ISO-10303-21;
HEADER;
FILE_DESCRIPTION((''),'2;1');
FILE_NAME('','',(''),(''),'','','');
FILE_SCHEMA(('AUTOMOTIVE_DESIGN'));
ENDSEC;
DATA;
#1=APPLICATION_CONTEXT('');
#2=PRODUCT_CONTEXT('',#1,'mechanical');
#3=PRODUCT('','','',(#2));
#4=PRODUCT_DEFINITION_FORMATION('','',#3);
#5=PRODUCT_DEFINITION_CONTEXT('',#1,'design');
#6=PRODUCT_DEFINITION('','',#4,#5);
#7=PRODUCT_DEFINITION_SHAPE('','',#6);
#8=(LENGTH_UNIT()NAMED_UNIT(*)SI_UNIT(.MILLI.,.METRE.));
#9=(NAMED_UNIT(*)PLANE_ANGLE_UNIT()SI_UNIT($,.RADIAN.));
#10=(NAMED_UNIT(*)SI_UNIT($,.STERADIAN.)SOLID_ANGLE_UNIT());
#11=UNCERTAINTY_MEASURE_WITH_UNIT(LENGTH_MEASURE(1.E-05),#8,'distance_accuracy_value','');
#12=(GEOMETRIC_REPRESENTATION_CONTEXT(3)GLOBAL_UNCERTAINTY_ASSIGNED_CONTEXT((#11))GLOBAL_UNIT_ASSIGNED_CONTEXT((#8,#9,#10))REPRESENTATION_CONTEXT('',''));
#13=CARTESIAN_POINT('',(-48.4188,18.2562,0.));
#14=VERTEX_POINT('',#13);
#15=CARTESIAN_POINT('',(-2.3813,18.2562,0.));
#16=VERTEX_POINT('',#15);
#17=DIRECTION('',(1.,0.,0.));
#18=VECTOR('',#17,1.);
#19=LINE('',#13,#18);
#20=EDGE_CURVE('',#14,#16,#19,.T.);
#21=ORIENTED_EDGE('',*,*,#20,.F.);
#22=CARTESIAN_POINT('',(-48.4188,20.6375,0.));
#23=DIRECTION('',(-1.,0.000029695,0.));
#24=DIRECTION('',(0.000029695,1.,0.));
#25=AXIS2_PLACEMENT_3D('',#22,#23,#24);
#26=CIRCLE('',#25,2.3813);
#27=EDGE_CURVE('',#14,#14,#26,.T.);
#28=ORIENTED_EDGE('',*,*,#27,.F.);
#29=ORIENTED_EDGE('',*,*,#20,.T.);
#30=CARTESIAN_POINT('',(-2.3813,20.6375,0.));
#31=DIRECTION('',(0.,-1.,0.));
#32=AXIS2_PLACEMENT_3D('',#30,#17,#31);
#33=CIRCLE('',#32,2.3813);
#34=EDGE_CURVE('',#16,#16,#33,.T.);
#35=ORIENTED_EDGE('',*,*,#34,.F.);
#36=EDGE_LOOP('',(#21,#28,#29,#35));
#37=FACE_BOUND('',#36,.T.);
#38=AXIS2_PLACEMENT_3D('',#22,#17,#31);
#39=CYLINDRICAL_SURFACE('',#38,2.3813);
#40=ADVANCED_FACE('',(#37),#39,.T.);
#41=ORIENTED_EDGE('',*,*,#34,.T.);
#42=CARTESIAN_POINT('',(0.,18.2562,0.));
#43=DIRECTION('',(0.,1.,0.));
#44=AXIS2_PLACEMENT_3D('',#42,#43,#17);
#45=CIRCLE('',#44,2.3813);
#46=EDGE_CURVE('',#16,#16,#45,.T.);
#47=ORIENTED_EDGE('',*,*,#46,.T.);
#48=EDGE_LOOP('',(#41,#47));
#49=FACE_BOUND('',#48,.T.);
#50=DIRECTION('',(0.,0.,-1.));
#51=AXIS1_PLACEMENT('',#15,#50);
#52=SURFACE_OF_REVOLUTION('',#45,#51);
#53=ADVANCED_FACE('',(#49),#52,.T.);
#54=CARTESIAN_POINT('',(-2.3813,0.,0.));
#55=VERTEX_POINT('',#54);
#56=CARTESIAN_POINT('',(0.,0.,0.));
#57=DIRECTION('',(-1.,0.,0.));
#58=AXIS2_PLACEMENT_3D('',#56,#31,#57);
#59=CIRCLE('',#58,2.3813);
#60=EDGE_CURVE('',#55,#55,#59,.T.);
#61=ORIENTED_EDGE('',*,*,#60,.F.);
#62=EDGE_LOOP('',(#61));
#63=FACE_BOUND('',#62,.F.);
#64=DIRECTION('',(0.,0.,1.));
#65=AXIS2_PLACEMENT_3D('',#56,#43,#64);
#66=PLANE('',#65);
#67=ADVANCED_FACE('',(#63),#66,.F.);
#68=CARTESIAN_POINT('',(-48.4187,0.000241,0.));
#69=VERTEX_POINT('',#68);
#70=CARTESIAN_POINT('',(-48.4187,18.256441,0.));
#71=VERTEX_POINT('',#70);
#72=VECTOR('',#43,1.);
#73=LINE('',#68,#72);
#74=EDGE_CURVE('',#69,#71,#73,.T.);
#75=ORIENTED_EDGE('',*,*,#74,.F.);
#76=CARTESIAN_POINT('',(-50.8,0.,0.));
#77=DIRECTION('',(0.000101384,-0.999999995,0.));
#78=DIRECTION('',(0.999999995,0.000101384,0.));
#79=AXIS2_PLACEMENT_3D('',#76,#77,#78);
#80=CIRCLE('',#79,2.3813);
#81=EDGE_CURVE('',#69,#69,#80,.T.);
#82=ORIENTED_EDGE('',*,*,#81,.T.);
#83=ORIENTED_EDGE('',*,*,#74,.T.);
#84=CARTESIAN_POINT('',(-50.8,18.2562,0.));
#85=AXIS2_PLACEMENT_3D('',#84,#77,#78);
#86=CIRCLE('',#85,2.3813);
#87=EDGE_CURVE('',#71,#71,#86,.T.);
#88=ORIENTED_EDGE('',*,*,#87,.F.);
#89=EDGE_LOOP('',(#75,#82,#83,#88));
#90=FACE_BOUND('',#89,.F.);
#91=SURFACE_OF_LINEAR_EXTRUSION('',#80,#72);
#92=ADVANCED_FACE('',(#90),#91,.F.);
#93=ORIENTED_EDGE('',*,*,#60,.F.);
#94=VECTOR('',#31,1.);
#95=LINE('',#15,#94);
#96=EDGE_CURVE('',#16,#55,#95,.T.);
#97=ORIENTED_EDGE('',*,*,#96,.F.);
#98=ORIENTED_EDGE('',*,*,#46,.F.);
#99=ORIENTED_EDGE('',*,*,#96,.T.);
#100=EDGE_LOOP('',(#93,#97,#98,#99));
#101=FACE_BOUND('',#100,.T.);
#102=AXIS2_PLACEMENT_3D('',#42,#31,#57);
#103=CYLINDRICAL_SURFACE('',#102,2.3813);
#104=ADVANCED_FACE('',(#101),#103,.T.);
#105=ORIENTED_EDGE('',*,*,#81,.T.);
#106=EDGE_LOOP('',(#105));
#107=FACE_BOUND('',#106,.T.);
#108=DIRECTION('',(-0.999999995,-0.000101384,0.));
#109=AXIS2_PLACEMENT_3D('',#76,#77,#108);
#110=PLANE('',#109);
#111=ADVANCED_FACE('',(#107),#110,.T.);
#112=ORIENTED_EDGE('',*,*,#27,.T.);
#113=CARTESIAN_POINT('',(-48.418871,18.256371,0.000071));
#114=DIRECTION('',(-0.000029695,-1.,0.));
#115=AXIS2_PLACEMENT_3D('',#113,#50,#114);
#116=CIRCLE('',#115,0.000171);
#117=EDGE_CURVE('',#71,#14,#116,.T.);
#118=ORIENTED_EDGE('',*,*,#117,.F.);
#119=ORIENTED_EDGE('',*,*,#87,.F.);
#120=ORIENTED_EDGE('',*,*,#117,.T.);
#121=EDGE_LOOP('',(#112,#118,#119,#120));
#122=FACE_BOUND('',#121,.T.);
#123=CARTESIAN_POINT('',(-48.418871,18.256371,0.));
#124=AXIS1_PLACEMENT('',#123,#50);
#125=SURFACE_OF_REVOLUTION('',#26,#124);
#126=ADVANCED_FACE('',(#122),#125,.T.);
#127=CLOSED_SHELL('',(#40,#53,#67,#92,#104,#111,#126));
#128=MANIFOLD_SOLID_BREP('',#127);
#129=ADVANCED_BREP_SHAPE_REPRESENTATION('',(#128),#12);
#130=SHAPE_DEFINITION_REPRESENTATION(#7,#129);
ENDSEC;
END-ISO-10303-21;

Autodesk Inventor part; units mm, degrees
ref_plane "YZ Plane" through (0, 0, 0) normal (1, 0, 0) x (0, 1, 0)
ref_plane "XZ Plane" through (0, 0, 0) normal (0, 1, 0) x (-1, 0, 0)
ref_plane "XY Plane" through (0, 0, 0) normal (0, 0, 1) x (1, 0, 0)
sketch "Sketch1" plane through (0, 0, 0) normal (0, 0, 1) x (1, 0, 0)
  line L0 (-50.8, 0) -> (-50.8, 18.2562)
  line L1 (-48.4188, 20.6375) -> (-2.3813, 20.6375)
  line L2 (0, 18.2562) -> (0, 0)
  arc A0 (-48.4188, 20.6375) -> (-50.8, 18.2562) centre (-48.4188, 18.2562) ccw
  arc A1 (0, 18.2562) -> (-2.3813, 20.6375) centre (-2.3813, 18.2562) ccw
  line L3 (0, 0) -> (0, 63.2917)
  point P0 (-50.8, 20.6375)
  point P1 (0, 20.6375)
  dimension "d0" = 20.6375
  dimension "d1" = 50.8
  dimension "d2" = 2.3813
  dimension "d4" = 90
  dimension "d6" = 0
  dimension "d7" = 20.6375
sketch "Sketch2" plane through (0, 0, 0) normal (0, 1, 0) x (-1, 0, 0)
  circle A0 centre (0, 0) radius 2.3813
  dimension "d3" = 4.7625
sweep "Sweep1" add profiles "Sketch2" path "Sketch1" path curves L2 A1 L1 A0 L0
equation "\"d0\" = handle_projection"
equation "\"d1\" = handle_spacing"
equation "\"d2\" = 0.5 * handle_d"
equation "\"d7\" = handle_projection"
equation "\"d3\" = handle_d"
equation "\"laserresin\" = 5"
equation "\"st1_thickness\" = 0.91186"
equation "\"st2_thickness\" = 1.5875"
equation "\"al1_thickness\" = 0.79375"
equation "\"al2_thickness\" = 1.5875"
equation "\"bend_factor\" = 2.26205"
equation "\"st1_bend\" = 2.06267"
equation "\"st2_bend\" = 3.591"
equation "\"st3_bend\" = 113.10236"
equation "\"al1_bend\" = 1.7955"
equation "\"al2_bend\" = 3.591"
equation "\"al3_bend\" = 113.10236"
equation "\"acrylic1_thickness\" = 5.88"
equation "\"acrylic2_thickness\" = 3.15"
equation "\"acrylic3_thickness\" = 3.15"
equation "\"linear_bearing_spacing\" = 208"
equation "\"nema17_x\" = 43"
equation "\"nema17_shaft\" = 24"
equation "\"lmk8uu_x\" = 25"
equation "\"lmk8uu_shaft\" = 15"
equation "\"lmk8uu_z\" = 24"
equation "\"shf8_y\" = 43"
equation "\"acme_nut_d\" = 19.1"
equation "\"acme_nut_upper_d\" = 12.7"
equation "\"handle_spacing\" = 50.8"
equation "\"handle_hole_d\" = 2.845"
equation "\"handle_projection\" = 20.6375"
equation "\"switch_spacing\" = 19"
equation "\"laser_body_diameter\" = 12"
equation "\"m3_diameter\" = 3"
equation "\"m3_head\" = 6"
equation "\"m4_diameter\" = 4"
equation "\"m5_diameter\" = 5"
equation "\"m5_head\" = 10.3"
equation "\"rivet_diameter\" = 3.3"
equation "\"brass_insert_drill\" = 4"
equation "\"m5_brass_insert_drill\" = 6.7"
equation "\"m3_press_nut_drill\" = 4.5"
equation "\"m5_press_nut_drill\" = 6.5"
equation "\"platform_t\" = 1.5875"
equation "\"platform_z\" = 65"
equation "\"platform_fold_x\" = 15"
equation "\"platform_crane_gap\" = 0.1"
equation "\"platform_upper_y\" = 46.625"
equation "\"crane_t\" = 1.5875"
equation "\"crane_x\" = 233"
equation "\"crane_gap\" = 0.1"
equation "\"tray_t\" = 5.88"
equation "\"tray_to_platform_oversize\" = 0"
equation "\"reservoir_t\" = 0.91186"
equation "\"reservoir_z\" = 35"
equation "\"reservoir_flap_y\" = 20.91186"
equation "\"frame_front_t\" = 0.91186"
equation "\"frame_front_y\" = 56"
equation "\"frame_front_fold\" = 15"
equation "\"frame_gap\" = 0.1"
equation "\"frame_back_t\" = 0.91186"
equation "\"frame_back_x\" = 277.97628"
equation "\"frame_back_y\" = 53.97628"
equation "\"frame_back_z\" = 497.97628"
equation "\"drawer_t\" = 0.91186"
equation "\"drawer_gap\" = 0.1"
equation "\"drawer_reservoir_overlap_x\" = 24.08814"
equation "\"drawer_x\" = 202.02372"
equation "\"drawer_y\" = 73"
equation "\"drawer_seal_y\" = 101"
equation "\"drawer_window_gap\" = 6"
equation "\"foot_t\" = 0.91186"
equation "\"foot_x\" = 198"
equation "\"foot_y\" = 196"
equation "\"handle_d\" = 4.7625"
equation "\"laser_holder_t\" = 0.91186"
equation "\"laser_holder_z\" = 75"
equation "\"laser_offset_x\" = 59"
equation "\"subframe_x\" = 66"
equation "\"subframe_t\" = 0.79375"
equation "\"subframe_y\" = 55"
equation "\"laser_offset_y\" = 8.5"
equation "\"galvo_y_in_offset\" = 17.5"
equation "\"galvo_y_out_offset\" = 27"
equation "\"laser_diameter\" = 13"
equation "\"corner_small_r\" = 1"
equation "\"corner_big_r\" = 5"
equation "\"rivet1_diameter\" = 3.26"
equation "\"rivet2_diameter\" = 3.26"
equation "\"platform_gap\" = 0.1"
equation "\"shield_y\" = 71"
equation "\"shield_z\" = 259.9"
equation "\"shield_x\" = 200.2"
equation "\"shield_t\" = 3.15"
equation "\"magnet_t\" = 1.6"
equation "\"magnet_w\" = 12.8"
equation "\"sae_4_40_diameter\" = 2.845"
properties part number "handle" material "Stainless Steel, Austenitic"
